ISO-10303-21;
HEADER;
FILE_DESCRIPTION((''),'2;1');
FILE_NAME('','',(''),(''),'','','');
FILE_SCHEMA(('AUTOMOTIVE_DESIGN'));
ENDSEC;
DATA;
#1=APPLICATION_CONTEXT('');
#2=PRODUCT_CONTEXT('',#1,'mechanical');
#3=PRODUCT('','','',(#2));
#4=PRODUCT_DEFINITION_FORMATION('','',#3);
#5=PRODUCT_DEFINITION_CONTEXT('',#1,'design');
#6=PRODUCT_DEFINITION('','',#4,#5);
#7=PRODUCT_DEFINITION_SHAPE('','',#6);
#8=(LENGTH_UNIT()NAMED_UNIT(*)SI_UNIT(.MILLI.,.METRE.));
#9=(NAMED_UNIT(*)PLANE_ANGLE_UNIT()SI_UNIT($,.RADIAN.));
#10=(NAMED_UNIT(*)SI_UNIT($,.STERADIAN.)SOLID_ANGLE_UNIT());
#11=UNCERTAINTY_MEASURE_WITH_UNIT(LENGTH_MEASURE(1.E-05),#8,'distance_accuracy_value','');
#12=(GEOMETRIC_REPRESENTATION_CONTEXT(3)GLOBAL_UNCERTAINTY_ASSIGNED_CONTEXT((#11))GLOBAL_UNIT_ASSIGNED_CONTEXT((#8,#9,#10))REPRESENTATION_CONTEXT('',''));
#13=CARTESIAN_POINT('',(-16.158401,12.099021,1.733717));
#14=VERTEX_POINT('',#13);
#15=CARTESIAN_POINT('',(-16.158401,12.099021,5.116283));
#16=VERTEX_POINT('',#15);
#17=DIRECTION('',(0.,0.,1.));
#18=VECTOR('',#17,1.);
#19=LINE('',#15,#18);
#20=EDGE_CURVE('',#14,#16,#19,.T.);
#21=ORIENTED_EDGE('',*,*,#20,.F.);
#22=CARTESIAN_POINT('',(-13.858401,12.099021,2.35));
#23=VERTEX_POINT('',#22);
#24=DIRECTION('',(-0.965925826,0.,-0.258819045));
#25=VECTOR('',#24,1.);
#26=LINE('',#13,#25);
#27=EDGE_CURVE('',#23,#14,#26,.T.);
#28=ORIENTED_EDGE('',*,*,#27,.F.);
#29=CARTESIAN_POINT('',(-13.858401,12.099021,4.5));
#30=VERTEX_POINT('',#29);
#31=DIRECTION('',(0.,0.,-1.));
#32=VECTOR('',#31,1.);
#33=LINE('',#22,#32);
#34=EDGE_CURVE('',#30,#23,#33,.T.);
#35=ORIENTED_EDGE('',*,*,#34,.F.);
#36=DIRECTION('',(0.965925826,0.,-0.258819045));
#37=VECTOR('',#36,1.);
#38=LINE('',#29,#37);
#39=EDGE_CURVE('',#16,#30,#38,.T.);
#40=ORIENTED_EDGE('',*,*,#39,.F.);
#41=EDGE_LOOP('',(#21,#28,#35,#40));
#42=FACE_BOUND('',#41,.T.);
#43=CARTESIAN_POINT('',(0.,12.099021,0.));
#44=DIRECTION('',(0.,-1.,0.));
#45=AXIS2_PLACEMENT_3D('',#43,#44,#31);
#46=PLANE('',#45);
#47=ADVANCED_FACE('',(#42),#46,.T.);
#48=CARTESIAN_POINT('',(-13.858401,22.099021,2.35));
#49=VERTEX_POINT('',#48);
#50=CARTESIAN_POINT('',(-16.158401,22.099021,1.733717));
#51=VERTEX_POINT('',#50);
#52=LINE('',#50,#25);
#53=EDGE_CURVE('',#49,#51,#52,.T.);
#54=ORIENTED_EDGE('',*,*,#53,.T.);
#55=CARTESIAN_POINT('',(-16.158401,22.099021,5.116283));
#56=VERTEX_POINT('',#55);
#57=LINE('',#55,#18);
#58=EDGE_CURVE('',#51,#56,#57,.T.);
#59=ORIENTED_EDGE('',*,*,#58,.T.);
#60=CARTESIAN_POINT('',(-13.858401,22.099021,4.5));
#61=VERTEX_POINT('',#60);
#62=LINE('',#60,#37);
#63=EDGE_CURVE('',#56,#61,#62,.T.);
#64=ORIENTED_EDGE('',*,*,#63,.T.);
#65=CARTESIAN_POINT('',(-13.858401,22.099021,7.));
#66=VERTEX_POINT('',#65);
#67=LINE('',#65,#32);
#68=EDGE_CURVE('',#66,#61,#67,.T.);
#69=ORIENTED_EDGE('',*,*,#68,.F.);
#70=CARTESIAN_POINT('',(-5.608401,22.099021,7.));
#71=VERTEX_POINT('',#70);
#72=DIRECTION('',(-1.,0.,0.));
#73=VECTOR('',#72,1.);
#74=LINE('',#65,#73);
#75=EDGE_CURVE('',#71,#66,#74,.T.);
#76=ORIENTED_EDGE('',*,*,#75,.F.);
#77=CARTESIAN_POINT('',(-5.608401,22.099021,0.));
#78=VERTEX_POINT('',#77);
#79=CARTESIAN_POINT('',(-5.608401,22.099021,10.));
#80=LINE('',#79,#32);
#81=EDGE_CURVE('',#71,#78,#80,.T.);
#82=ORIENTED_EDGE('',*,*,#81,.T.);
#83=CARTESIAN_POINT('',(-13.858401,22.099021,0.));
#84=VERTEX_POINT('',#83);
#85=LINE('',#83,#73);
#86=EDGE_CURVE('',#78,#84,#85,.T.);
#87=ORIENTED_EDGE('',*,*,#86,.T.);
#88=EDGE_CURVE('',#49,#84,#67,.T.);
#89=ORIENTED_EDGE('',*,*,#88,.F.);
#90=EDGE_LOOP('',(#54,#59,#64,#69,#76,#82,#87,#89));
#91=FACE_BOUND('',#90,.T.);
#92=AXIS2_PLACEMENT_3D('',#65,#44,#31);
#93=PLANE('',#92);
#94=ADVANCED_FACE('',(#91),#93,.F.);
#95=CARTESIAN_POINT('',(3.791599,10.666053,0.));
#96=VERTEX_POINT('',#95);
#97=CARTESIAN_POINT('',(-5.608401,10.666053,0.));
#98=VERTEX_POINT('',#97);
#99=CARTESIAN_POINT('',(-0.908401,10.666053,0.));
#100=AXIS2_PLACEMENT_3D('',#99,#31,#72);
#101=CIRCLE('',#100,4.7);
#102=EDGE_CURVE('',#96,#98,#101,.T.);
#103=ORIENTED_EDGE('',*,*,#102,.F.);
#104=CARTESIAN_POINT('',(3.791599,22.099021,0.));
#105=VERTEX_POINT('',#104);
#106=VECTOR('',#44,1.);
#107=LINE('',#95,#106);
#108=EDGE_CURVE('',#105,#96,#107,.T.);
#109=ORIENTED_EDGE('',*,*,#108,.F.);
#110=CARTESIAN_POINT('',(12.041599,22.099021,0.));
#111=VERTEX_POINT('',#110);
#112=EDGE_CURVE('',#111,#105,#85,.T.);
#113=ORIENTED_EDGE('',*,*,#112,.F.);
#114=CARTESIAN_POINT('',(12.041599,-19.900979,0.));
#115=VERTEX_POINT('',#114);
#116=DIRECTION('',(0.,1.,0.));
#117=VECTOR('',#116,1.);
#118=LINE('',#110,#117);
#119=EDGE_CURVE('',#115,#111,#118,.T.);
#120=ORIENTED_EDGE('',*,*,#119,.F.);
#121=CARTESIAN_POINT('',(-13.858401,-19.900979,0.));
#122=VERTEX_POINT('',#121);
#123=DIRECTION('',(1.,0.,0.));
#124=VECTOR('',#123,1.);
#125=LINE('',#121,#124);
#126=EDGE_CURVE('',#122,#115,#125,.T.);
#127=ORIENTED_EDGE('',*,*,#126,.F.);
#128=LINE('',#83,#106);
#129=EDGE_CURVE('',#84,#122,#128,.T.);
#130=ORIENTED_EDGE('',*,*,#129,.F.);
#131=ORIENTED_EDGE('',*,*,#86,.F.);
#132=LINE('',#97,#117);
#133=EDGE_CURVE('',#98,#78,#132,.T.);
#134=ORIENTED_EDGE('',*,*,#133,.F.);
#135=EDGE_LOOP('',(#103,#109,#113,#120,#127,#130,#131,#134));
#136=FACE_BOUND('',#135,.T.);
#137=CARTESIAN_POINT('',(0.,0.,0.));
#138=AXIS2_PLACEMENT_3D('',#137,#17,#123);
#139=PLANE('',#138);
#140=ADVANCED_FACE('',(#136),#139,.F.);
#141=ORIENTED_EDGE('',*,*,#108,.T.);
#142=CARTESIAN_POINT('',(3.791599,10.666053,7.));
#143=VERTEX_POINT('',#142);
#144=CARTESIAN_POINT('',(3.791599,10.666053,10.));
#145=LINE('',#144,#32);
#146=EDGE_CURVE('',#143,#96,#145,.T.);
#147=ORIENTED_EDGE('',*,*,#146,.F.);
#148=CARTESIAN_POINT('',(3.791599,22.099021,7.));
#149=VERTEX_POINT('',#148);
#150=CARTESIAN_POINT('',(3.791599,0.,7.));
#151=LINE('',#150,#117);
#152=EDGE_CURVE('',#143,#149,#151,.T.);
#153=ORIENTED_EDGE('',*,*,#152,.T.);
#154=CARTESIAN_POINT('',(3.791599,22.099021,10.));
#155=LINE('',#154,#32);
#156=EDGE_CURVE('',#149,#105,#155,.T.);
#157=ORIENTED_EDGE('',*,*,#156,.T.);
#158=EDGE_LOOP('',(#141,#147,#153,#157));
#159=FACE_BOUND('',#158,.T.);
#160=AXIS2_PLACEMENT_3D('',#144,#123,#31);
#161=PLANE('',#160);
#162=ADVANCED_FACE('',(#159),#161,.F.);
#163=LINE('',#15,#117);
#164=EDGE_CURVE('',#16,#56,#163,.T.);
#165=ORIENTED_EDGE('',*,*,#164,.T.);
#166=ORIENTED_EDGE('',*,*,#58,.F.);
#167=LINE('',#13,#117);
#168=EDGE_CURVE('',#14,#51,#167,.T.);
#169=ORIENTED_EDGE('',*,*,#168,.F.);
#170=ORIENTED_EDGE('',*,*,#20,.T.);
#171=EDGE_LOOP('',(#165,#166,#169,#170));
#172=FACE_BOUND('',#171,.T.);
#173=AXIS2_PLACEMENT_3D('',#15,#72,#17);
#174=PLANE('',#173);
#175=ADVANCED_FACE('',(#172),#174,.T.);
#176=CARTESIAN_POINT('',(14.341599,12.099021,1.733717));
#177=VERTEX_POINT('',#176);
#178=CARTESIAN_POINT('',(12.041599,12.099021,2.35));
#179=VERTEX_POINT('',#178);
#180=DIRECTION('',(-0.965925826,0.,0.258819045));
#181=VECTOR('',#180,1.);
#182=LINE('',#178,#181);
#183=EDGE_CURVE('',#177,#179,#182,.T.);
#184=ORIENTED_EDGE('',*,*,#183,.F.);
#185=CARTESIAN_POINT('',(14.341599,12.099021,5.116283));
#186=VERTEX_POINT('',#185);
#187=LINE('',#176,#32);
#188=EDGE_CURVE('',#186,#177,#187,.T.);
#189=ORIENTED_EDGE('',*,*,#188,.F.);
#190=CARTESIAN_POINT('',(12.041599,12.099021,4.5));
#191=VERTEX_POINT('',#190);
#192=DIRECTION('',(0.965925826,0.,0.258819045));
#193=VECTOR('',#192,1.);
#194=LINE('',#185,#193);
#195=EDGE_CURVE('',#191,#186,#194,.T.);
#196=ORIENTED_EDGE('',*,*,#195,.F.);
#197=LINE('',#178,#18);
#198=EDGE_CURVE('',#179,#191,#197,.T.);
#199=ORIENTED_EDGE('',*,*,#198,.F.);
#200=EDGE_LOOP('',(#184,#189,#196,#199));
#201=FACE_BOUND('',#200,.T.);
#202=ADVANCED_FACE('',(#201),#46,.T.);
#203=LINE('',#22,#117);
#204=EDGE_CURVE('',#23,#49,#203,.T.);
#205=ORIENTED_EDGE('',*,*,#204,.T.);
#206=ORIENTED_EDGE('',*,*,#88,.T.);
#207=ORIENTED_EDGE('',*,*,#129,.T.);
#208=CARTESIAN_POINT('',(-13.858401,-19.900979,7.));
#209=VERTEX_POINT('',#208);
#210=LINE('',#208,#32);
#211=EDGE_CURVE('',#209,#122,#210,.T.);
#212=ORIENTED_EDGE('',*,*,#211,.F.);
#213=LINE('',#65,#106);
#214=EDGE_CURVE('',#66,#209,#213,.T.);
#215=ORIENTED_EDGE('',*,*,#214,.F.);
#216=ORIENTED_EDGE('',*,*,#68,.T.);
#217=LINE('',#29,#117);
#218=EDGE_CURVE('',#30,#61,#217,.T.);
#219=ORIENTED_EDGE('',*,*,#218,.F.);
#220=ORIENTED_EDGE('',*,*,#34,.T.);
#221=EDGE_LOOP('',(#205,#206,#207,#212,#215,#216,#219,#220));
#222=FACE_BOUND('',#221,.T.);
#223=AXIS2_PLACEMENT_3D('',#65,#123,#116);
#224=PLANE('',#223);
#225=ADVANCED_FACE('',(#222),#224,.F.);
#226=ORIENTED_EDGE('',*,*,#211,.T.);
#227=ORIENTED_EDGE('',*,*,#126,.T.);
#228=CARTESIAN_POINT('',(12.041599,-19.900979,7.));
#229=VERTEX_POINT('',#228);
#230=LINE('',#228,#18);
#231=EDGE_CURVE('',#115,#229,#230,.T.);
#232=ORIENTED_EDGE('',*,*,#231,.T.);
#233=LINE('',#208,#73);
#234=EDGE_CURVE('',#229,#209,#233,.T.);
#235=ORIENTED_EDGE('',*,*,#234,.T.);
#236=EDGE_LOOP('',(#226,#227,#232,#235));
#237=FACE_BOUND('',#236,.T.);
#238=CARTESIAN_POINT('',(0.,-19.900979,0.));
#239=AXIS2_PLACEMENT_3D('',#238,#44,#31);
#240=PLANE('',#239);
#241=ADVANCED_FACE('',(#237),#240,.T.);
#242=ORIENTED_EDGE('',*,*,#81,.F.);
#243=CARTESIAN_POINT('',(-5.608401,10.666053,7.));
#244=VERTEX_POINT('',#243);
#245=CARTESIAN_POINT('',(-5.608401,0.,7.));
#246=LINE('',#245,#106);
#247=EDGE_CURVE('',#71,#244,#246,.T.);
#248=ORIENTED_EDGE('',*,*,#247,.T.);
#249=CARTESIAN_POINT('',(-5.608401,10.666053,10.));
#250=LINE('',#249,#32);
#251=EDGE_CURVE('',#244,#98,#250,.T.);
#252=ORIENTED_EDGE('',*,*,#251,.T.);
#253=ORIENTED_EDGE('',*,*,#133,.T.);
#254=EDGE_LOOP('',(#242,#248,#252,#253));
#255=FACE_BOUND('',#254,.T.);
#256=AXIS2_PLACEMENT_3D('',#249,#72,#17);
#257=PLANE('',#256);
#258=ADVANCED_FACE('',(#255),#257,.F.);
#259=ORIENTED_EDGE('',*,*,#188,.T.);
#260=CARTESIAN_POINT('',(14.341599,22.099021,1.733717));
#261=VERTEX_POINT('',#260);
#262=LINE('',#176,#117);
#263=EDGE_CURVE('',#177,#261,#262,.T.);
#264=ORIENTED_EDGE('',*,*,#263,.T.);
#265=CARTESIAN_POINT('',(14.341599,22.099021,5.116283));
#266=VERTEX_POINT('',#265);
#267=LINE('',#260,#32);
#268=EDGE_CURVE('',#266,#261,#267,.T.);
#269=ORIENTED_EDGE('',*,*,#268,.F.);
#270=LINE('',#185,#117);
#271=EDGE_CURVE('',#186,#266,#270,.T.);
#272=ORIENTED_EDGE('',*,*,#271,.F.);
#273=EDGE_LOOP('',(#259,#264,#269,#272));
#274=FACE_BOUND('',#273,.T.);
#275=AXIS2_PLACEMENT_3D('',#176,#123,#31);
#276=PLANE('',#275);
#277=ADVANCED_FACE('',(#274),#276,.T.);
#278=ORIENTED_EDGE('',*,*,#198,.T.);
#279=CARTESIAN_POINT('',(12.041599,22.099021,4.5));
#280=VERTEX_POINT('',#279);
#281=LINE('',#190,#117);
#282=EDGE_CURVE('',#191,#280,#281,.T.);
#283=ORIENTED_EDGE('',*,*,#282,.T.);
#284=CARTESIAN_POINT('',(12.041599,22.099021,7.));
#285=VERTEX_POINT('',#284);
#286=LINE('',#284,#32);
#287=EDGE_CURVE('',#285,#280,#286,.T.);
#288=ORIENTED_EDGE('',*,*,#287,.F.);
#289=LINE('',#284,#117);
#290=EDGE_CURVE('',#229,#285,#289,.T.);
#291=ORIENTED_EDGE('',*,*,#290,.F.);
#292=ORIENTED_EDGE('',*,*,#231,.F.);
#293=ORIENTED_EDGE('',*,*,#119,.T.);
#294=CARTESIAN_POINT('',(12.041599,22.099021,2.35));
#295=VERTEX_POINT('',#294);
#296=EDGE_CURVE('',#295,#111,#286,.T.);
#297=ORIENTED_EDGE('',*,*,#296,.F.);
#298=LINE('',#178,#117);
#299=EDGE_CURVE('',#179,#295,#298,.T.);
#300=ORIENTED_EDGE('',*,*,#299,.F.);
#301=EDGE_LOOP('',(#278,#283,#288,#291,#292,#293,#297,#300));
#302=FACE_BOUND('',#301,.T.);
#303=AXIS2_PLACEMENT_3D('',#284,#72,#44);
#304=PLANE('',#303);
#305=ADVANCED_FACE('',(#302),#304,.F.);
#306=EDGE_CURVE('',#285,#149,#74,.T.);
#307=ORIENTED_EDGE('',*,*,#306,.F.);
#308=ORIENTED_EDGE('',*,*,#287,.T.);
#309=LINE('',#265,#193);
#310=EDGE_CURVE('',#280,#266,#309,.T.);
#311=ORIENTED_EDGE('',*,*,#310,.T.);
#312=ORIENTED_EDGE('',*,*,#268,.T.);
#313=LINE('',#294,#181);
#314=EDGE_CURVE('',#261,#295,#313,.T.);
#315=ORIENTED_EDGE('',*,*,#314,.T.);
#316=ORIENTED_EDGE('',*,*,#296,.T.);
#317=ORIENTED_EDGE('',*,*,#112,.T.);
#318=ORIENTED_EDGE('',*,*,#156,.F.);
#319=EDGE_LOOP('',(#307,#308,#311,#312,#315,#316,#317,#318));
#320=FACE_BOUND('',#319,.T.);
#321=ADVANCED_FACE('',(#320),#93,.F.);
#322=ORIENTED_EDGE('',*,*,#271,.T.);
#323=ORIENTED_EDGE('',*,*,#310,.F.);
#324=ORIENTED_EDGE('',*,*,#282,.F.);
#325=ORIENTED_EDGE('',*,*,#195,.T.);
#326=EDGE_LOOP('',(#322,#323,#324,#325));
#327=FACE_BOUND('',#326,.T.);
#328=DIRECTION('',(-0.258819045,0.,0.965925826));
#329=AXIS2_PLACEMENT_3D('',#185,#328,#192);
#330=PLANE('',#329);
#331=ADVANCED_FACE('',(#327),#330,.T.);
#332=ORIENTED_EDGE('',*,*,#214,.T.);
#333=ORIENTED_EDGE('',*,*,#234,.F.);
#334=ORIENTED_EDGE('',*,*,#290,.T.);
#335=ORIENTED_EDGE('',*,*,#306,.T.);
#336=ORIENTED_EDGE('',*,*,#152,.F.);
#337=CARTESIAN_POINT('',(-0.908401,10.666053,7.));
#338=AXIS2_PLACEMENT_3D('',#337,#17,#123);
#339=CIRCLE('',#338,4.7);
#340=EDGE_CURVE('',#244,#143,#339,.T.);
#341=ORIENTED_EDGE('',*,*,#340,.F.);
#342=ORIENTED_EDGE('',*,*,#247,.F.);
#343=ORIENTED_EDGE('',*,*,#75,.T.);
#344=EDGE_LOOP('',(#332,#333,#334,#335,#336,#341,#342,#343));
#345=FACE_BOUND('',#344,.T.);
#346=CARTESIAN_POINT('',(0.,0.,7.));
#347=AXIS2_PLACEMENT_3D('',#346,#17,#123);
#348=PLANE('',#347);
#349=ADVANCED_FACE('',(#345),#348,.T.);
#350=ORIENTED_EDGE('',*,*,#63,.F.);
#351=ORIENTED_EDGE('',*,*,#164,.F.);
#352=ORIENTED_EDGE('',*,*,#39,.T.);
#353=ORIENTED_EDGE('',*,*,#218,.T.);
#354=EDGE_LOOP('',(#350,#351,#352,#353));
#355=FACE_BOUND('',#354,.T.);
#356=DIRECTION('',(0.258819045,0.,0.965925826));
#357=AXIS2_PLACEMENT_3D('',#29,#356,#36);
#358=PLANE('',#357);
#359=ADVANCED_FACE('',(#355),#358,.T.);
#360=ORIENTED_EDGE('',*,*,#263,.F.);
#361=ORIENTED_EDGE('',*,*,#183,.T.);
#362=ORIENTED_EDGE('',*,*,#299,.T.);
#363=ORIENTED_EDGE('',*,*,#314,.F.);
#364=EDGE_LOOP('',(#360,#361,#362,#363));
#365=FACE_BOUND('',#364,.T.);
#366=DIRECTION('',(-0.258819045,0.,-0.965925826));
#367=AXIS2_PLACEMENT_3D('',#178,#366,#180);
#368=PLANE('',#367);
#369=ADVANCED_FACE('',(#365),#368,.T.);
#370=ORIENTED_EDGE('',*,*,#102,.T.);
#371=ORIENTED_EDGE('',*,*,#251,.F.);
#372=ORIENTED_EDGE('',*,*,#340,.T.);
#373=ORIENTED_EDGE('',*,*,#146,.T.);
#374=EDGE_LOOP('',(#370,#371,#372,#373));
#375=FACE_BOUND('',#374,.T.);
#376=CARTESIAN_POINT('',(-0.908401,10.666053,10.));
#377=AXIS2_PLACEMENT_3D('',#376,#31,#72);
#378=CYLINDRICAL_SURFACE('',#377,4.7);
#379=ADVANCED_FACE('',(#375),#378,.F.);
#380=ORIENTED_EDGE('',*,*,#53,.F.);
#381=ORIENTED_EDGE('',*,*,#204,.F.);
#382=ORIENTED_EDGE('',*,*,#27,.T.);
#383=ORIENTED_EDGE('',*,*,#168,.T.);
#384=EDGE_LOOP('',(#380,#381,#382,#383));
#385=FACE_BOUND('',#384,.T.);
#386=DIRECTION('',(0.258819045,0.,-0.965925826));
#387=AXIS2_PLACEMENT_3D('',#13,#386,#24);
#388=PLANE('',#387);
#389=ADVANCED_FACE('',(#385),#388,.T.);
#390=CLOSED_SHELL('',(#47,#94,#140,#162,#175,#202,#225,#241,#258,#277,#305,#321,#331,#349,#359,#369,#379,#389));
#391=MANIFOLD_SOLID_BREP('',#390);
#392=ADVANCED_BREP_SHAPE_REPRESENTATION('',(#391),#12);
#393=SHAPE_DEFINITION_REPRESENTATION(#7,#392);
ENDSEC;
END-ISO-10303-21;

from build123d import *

# Parameters (mm, degrees)
SKETCH1_W           = 25.9
SKETCH1_H           = 30
BOSS_EXTRUDE1_DEPTH = 7
BOSS_EXTRUDE2_DEPTH = 10
CUT_EXTRUDE1_DEPTH  = 10
SKETCH4_W           = 25.9
SKETCH4_H           = 7
BOSS_EXTRUDE3_DEPTH = 12


with BuildPart() as part:
    # Sketch1 → Boss-Extrude1 (new body)
    with BuildSketch(Plane.XY):
        with Locations((-0.908401305, 7.099021207)):
            Rectangle(SKETCH1_W, SKETCH1_H)
    extrude(amount=BOSS_EXTRUDE1_DEPTH)

    # Sketch2 → Boss-Extrude2 (add)
    with BuildSketch(Plane(origin=(0, 22.099021207, 0), x_dir=(1, 0, 0), z_dir=(0, 1, 0))):
        Polygon((-13.858401305, -4.5), (-16.158401305, -5.116283143), (-16.158401305, -1.733716857), (-13.858401305, -2.35), align=None)
        Polygon((12.041598695, -2.35), (14.341598695, -1.733716857), (14.341598695, -5.116283143), (12.041598695, -4.5), align=None)
    extrude(amount=-BOSS_EXTRUDE2_DEPTH)

    # Sketch3 → Cut-Extrude1 (cut)
    with BuildSketch(Plane(origin=(0, 0, 0), x_dir=(-1, 0, 0), z_dir=(0, 0, -1))):
        with BuildLine():
            Line((-3.791598695, 10.666053203), (-3.791598695, 22.099021207))
            Line((-3.791598695, 22.099021207), (5.608401305, 22.099021207))
            Line((5.608401305, 22.099021207), (5.608401305, 10.666053203))
            ThreePointArc((5.608401305, 10.666053203), (0.908401305, 5.966053203), (-3.791598695, 10.666053203))
        make_face()
    extrude(amount=-CUT_EXTRUDE1_DEPTH, mode=Mode.SUBTRACT)

    # Sketch4 → Boss-Extrude3 (add)
    with BuildSketch(Plane.XZ.offset(7.900978793)):
        with Locations((-0.908401305, 3.5)):
            Rectangle(SKETCH4_W, SKETCH4_H)
    extrude(amount=BOSS_EXTRUDE3_DEPTH)


solid = part.part
